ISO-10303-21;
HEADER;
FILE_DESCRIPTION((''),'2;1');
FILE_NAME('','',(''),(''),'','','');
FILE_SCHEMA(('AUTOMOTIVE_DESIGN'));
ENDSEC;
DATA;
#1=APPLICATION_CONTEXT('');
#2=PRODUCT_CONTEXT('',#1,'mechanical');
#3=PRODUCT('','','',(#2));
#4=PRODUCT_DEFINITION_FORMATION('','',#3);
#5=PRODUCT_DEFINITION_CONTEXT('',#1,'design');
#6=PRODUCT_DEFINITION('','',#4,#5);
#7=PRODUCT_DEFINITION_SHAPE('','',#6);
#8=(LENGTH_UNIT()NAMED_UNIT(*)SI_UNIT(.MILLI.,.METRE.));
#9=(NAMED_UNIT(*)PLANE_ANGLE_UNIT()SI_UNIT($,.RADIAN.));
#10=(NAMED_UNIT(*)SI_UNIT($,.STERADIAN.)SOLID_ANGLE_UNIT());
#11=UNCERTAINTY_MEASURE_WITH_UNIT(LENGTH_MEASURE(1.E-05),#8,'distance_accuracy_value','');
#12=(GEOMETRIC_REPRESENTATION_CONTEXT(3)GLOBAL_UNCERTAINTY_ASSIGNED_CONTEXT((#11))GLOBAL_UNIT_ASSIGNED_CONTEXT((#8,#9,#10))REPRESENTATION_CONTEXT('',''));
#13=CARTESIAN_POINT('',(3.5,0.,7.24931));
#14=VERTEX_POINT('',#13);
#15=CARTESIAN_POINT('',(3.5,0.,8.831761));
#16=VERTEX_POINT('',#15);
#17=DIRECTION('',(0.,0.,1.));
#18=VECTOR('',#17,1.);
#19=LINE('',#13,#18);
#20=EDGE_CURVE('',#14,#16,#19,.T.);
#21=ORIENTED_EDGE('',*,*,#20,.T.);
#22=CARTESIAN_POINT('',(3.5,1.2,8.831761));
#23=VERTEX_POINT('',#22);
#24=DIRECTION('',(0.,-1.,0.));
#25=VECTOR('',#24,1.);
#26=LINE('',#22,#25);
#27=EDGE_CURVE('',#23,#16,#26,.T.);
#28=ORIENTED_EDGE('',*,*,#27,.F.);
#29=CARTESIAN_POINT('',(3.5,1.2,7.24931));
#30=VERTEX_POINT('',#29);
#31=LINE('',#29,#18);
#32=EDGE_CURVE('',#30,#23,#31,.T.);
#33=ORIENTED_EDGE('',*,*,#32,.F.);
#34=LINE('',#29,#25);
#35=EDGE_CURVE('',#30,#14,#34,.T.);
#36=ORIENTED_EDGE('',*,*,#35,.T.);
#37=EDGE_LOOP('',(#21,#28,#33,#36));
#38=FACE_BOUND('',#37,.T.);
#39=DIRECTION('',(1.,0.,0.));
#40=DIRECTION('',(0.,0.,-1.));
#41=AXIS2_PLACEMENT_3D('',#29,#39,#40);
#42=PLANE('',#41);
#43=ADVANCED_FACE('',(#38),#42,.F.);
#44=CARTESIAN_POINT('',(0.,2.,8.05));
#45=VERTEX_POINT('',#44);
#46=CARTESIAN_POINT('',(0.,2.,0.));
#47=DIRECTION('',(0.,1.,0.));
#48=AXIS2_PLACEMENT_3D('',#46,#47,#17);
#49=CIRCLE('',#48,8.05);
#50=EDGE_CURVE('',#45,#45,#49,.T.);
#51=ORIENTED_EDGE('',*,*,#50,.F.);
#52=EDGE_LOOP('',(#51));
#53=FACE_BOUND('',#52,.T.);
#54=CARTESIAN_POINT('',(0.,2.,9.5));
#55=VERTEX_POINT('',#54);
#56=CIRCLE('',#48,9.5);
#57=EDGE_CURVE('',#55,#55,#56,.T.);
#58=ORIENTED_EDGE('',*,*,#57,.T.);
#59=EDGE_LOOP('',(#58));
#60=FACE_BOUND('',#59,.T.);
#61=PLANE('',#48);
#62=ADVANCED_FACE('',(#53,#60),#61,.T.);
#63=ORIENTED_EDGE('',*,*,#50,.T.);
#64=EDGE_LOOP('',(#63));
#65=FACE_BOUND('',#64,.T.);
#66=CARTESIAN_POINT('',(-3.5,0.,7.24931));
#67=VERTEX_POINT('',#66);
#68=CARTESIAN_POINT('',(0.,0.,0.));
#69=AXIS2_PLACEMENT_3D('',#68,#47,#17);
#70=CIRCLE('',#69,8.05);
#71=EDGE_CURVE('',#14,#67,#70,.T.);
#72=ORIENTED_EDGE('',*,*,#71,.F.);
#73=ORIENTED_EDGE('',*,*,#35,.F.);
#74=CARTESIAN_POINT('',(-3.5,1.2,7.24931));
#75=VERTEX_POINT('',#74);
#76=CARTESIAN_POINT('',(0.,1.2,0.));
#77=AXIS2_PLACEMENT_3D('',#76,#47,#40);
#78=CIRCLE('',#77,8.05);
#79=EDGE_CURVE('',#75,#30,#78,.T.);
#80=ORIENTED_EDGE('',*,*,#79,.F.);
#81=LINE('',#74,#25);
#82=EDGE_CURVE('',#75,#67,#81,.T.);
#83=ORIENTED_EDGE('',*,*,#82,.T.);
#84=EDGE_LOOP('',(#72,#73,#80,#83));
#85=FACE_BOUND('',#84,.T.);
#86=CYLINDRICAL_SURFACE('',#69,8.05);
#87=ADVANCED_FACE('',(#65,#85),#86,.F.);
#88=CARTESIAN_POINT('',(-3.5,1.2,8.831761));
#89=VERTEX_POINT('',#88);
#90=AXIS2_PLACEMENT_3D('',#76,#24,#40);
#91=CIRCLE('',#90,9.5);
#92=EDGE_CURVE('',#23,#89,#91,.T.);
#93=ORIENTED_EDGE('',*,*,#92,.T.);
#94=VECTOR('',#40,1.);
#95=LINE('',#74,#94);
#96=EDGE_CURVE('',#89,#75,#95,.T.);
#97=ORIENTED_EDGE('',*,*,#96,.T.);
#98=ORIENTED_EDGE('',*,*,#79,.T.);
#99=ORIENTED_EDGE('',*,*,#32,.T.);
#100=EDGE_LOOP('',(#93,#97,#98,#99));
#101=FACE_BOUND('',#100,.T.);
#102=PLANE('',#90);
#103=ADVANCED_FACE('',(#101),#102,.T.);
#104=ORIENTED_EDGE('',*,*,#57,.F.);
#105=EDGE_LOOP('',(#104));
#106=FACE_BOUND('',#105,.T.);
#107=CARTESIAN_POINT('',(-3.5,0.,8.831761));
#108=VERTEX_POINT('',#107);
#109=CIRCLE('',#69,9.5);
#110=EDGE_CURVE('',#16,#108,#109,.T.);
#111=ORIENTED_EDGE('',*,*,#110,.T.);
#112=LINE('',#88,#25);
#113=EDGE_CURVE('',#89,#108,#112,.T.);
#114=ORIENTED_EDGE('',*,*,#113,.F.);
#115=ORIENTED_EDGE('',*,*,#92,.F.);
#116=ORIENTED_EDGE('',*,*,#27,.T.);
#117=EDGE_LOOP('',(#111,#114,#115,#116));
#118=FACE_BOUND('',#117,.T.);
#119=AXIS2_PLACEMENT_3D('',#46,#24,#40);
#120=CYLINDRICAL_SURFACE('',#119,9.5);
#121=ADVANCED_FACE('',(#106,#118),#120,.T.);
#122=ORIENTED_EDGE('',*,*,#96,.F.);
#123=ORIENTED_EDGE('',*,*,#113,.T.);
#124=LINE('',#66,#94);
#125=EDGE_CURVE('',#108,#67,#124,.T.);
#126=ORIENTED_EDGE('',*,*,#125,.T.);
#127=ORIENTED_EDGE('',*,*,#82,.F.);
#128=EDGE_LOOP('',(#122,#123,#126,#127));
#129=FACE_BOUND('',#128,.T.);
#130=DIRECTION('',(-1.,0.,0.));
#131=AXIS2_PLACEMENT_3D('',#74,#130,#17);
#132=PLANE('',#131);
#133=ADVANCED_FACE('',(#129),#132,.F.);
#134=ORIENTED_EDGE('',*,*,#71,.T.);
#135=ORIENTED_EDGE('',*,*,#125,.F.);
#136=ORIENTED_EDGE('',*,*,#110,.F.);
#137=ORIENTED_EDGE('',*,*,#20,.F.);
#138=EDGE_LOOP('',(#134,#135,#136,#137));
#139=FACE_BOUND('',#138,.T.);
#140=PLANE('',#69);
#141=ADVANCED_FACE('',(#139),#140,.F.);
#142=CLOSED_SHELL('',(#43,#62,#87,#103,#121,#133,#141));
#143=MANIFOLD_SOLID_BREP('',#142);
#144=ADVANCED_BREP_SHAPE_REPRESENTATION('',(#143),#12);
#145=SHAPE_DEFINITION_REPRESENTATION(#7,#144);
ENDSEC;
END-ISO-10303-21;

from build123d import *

# Parameters (mm, degrees)
SKETCH1_R           = 9.5
BOSS_EXTRUDE1_DEPTH = 2
SKETCH2_R           = 8.05
CUT_EXTRUDE1_DEPTH  = 3
CUT_EXTRUDE2_DEPTH  = 1.2


with BuildPart() as part:
    # Sketch1 → Boss-Extrude1 (new body)
    with BuildSketch(Plane(origin=(0, 0, 0), x_dir=(1, 0, 0), z_dir=(0, 1, 0))):
        Circle(SKETCH1_R)
    extrude(amount=BOSS_EXTRUDE1_DEPTH)

    # Sketch2 → Cut-Extrude1 (cut, through all)
    with BuildSketch(Plane(origin=(0, 2, 0), x_dir=(1, 0, 0), z_dir=(0, 1, 0))):
        Circle(SKETCH2_R)
    extrude(amount=-CUT_EXTRUDE1_DEPTH, mode=Mode.SUBTRACT)

    # Sketch3 → Cut-Extrude2 (cut)
    with BuildSketch(Plane.XZ):
        with BuildLine():
            Line((-3.5, 7.249310312), (-3.5, 8.831760866))
            ThreePointArc((-3.5, 8.831760866), (0, 9.5), (3.5, 8.831760866))
            Line((3.5, 8.831760866), (3.5, 7.249310312))
            ThreePointArc((3.5, 7.249310312), (0, 8.05), (-3.5, 7.249310312))
        make_face()
    extrude(amount=-CUT_EXTRUDE2_DEPTH, mode=Mode.SUBTRACT)


solid = part.part
